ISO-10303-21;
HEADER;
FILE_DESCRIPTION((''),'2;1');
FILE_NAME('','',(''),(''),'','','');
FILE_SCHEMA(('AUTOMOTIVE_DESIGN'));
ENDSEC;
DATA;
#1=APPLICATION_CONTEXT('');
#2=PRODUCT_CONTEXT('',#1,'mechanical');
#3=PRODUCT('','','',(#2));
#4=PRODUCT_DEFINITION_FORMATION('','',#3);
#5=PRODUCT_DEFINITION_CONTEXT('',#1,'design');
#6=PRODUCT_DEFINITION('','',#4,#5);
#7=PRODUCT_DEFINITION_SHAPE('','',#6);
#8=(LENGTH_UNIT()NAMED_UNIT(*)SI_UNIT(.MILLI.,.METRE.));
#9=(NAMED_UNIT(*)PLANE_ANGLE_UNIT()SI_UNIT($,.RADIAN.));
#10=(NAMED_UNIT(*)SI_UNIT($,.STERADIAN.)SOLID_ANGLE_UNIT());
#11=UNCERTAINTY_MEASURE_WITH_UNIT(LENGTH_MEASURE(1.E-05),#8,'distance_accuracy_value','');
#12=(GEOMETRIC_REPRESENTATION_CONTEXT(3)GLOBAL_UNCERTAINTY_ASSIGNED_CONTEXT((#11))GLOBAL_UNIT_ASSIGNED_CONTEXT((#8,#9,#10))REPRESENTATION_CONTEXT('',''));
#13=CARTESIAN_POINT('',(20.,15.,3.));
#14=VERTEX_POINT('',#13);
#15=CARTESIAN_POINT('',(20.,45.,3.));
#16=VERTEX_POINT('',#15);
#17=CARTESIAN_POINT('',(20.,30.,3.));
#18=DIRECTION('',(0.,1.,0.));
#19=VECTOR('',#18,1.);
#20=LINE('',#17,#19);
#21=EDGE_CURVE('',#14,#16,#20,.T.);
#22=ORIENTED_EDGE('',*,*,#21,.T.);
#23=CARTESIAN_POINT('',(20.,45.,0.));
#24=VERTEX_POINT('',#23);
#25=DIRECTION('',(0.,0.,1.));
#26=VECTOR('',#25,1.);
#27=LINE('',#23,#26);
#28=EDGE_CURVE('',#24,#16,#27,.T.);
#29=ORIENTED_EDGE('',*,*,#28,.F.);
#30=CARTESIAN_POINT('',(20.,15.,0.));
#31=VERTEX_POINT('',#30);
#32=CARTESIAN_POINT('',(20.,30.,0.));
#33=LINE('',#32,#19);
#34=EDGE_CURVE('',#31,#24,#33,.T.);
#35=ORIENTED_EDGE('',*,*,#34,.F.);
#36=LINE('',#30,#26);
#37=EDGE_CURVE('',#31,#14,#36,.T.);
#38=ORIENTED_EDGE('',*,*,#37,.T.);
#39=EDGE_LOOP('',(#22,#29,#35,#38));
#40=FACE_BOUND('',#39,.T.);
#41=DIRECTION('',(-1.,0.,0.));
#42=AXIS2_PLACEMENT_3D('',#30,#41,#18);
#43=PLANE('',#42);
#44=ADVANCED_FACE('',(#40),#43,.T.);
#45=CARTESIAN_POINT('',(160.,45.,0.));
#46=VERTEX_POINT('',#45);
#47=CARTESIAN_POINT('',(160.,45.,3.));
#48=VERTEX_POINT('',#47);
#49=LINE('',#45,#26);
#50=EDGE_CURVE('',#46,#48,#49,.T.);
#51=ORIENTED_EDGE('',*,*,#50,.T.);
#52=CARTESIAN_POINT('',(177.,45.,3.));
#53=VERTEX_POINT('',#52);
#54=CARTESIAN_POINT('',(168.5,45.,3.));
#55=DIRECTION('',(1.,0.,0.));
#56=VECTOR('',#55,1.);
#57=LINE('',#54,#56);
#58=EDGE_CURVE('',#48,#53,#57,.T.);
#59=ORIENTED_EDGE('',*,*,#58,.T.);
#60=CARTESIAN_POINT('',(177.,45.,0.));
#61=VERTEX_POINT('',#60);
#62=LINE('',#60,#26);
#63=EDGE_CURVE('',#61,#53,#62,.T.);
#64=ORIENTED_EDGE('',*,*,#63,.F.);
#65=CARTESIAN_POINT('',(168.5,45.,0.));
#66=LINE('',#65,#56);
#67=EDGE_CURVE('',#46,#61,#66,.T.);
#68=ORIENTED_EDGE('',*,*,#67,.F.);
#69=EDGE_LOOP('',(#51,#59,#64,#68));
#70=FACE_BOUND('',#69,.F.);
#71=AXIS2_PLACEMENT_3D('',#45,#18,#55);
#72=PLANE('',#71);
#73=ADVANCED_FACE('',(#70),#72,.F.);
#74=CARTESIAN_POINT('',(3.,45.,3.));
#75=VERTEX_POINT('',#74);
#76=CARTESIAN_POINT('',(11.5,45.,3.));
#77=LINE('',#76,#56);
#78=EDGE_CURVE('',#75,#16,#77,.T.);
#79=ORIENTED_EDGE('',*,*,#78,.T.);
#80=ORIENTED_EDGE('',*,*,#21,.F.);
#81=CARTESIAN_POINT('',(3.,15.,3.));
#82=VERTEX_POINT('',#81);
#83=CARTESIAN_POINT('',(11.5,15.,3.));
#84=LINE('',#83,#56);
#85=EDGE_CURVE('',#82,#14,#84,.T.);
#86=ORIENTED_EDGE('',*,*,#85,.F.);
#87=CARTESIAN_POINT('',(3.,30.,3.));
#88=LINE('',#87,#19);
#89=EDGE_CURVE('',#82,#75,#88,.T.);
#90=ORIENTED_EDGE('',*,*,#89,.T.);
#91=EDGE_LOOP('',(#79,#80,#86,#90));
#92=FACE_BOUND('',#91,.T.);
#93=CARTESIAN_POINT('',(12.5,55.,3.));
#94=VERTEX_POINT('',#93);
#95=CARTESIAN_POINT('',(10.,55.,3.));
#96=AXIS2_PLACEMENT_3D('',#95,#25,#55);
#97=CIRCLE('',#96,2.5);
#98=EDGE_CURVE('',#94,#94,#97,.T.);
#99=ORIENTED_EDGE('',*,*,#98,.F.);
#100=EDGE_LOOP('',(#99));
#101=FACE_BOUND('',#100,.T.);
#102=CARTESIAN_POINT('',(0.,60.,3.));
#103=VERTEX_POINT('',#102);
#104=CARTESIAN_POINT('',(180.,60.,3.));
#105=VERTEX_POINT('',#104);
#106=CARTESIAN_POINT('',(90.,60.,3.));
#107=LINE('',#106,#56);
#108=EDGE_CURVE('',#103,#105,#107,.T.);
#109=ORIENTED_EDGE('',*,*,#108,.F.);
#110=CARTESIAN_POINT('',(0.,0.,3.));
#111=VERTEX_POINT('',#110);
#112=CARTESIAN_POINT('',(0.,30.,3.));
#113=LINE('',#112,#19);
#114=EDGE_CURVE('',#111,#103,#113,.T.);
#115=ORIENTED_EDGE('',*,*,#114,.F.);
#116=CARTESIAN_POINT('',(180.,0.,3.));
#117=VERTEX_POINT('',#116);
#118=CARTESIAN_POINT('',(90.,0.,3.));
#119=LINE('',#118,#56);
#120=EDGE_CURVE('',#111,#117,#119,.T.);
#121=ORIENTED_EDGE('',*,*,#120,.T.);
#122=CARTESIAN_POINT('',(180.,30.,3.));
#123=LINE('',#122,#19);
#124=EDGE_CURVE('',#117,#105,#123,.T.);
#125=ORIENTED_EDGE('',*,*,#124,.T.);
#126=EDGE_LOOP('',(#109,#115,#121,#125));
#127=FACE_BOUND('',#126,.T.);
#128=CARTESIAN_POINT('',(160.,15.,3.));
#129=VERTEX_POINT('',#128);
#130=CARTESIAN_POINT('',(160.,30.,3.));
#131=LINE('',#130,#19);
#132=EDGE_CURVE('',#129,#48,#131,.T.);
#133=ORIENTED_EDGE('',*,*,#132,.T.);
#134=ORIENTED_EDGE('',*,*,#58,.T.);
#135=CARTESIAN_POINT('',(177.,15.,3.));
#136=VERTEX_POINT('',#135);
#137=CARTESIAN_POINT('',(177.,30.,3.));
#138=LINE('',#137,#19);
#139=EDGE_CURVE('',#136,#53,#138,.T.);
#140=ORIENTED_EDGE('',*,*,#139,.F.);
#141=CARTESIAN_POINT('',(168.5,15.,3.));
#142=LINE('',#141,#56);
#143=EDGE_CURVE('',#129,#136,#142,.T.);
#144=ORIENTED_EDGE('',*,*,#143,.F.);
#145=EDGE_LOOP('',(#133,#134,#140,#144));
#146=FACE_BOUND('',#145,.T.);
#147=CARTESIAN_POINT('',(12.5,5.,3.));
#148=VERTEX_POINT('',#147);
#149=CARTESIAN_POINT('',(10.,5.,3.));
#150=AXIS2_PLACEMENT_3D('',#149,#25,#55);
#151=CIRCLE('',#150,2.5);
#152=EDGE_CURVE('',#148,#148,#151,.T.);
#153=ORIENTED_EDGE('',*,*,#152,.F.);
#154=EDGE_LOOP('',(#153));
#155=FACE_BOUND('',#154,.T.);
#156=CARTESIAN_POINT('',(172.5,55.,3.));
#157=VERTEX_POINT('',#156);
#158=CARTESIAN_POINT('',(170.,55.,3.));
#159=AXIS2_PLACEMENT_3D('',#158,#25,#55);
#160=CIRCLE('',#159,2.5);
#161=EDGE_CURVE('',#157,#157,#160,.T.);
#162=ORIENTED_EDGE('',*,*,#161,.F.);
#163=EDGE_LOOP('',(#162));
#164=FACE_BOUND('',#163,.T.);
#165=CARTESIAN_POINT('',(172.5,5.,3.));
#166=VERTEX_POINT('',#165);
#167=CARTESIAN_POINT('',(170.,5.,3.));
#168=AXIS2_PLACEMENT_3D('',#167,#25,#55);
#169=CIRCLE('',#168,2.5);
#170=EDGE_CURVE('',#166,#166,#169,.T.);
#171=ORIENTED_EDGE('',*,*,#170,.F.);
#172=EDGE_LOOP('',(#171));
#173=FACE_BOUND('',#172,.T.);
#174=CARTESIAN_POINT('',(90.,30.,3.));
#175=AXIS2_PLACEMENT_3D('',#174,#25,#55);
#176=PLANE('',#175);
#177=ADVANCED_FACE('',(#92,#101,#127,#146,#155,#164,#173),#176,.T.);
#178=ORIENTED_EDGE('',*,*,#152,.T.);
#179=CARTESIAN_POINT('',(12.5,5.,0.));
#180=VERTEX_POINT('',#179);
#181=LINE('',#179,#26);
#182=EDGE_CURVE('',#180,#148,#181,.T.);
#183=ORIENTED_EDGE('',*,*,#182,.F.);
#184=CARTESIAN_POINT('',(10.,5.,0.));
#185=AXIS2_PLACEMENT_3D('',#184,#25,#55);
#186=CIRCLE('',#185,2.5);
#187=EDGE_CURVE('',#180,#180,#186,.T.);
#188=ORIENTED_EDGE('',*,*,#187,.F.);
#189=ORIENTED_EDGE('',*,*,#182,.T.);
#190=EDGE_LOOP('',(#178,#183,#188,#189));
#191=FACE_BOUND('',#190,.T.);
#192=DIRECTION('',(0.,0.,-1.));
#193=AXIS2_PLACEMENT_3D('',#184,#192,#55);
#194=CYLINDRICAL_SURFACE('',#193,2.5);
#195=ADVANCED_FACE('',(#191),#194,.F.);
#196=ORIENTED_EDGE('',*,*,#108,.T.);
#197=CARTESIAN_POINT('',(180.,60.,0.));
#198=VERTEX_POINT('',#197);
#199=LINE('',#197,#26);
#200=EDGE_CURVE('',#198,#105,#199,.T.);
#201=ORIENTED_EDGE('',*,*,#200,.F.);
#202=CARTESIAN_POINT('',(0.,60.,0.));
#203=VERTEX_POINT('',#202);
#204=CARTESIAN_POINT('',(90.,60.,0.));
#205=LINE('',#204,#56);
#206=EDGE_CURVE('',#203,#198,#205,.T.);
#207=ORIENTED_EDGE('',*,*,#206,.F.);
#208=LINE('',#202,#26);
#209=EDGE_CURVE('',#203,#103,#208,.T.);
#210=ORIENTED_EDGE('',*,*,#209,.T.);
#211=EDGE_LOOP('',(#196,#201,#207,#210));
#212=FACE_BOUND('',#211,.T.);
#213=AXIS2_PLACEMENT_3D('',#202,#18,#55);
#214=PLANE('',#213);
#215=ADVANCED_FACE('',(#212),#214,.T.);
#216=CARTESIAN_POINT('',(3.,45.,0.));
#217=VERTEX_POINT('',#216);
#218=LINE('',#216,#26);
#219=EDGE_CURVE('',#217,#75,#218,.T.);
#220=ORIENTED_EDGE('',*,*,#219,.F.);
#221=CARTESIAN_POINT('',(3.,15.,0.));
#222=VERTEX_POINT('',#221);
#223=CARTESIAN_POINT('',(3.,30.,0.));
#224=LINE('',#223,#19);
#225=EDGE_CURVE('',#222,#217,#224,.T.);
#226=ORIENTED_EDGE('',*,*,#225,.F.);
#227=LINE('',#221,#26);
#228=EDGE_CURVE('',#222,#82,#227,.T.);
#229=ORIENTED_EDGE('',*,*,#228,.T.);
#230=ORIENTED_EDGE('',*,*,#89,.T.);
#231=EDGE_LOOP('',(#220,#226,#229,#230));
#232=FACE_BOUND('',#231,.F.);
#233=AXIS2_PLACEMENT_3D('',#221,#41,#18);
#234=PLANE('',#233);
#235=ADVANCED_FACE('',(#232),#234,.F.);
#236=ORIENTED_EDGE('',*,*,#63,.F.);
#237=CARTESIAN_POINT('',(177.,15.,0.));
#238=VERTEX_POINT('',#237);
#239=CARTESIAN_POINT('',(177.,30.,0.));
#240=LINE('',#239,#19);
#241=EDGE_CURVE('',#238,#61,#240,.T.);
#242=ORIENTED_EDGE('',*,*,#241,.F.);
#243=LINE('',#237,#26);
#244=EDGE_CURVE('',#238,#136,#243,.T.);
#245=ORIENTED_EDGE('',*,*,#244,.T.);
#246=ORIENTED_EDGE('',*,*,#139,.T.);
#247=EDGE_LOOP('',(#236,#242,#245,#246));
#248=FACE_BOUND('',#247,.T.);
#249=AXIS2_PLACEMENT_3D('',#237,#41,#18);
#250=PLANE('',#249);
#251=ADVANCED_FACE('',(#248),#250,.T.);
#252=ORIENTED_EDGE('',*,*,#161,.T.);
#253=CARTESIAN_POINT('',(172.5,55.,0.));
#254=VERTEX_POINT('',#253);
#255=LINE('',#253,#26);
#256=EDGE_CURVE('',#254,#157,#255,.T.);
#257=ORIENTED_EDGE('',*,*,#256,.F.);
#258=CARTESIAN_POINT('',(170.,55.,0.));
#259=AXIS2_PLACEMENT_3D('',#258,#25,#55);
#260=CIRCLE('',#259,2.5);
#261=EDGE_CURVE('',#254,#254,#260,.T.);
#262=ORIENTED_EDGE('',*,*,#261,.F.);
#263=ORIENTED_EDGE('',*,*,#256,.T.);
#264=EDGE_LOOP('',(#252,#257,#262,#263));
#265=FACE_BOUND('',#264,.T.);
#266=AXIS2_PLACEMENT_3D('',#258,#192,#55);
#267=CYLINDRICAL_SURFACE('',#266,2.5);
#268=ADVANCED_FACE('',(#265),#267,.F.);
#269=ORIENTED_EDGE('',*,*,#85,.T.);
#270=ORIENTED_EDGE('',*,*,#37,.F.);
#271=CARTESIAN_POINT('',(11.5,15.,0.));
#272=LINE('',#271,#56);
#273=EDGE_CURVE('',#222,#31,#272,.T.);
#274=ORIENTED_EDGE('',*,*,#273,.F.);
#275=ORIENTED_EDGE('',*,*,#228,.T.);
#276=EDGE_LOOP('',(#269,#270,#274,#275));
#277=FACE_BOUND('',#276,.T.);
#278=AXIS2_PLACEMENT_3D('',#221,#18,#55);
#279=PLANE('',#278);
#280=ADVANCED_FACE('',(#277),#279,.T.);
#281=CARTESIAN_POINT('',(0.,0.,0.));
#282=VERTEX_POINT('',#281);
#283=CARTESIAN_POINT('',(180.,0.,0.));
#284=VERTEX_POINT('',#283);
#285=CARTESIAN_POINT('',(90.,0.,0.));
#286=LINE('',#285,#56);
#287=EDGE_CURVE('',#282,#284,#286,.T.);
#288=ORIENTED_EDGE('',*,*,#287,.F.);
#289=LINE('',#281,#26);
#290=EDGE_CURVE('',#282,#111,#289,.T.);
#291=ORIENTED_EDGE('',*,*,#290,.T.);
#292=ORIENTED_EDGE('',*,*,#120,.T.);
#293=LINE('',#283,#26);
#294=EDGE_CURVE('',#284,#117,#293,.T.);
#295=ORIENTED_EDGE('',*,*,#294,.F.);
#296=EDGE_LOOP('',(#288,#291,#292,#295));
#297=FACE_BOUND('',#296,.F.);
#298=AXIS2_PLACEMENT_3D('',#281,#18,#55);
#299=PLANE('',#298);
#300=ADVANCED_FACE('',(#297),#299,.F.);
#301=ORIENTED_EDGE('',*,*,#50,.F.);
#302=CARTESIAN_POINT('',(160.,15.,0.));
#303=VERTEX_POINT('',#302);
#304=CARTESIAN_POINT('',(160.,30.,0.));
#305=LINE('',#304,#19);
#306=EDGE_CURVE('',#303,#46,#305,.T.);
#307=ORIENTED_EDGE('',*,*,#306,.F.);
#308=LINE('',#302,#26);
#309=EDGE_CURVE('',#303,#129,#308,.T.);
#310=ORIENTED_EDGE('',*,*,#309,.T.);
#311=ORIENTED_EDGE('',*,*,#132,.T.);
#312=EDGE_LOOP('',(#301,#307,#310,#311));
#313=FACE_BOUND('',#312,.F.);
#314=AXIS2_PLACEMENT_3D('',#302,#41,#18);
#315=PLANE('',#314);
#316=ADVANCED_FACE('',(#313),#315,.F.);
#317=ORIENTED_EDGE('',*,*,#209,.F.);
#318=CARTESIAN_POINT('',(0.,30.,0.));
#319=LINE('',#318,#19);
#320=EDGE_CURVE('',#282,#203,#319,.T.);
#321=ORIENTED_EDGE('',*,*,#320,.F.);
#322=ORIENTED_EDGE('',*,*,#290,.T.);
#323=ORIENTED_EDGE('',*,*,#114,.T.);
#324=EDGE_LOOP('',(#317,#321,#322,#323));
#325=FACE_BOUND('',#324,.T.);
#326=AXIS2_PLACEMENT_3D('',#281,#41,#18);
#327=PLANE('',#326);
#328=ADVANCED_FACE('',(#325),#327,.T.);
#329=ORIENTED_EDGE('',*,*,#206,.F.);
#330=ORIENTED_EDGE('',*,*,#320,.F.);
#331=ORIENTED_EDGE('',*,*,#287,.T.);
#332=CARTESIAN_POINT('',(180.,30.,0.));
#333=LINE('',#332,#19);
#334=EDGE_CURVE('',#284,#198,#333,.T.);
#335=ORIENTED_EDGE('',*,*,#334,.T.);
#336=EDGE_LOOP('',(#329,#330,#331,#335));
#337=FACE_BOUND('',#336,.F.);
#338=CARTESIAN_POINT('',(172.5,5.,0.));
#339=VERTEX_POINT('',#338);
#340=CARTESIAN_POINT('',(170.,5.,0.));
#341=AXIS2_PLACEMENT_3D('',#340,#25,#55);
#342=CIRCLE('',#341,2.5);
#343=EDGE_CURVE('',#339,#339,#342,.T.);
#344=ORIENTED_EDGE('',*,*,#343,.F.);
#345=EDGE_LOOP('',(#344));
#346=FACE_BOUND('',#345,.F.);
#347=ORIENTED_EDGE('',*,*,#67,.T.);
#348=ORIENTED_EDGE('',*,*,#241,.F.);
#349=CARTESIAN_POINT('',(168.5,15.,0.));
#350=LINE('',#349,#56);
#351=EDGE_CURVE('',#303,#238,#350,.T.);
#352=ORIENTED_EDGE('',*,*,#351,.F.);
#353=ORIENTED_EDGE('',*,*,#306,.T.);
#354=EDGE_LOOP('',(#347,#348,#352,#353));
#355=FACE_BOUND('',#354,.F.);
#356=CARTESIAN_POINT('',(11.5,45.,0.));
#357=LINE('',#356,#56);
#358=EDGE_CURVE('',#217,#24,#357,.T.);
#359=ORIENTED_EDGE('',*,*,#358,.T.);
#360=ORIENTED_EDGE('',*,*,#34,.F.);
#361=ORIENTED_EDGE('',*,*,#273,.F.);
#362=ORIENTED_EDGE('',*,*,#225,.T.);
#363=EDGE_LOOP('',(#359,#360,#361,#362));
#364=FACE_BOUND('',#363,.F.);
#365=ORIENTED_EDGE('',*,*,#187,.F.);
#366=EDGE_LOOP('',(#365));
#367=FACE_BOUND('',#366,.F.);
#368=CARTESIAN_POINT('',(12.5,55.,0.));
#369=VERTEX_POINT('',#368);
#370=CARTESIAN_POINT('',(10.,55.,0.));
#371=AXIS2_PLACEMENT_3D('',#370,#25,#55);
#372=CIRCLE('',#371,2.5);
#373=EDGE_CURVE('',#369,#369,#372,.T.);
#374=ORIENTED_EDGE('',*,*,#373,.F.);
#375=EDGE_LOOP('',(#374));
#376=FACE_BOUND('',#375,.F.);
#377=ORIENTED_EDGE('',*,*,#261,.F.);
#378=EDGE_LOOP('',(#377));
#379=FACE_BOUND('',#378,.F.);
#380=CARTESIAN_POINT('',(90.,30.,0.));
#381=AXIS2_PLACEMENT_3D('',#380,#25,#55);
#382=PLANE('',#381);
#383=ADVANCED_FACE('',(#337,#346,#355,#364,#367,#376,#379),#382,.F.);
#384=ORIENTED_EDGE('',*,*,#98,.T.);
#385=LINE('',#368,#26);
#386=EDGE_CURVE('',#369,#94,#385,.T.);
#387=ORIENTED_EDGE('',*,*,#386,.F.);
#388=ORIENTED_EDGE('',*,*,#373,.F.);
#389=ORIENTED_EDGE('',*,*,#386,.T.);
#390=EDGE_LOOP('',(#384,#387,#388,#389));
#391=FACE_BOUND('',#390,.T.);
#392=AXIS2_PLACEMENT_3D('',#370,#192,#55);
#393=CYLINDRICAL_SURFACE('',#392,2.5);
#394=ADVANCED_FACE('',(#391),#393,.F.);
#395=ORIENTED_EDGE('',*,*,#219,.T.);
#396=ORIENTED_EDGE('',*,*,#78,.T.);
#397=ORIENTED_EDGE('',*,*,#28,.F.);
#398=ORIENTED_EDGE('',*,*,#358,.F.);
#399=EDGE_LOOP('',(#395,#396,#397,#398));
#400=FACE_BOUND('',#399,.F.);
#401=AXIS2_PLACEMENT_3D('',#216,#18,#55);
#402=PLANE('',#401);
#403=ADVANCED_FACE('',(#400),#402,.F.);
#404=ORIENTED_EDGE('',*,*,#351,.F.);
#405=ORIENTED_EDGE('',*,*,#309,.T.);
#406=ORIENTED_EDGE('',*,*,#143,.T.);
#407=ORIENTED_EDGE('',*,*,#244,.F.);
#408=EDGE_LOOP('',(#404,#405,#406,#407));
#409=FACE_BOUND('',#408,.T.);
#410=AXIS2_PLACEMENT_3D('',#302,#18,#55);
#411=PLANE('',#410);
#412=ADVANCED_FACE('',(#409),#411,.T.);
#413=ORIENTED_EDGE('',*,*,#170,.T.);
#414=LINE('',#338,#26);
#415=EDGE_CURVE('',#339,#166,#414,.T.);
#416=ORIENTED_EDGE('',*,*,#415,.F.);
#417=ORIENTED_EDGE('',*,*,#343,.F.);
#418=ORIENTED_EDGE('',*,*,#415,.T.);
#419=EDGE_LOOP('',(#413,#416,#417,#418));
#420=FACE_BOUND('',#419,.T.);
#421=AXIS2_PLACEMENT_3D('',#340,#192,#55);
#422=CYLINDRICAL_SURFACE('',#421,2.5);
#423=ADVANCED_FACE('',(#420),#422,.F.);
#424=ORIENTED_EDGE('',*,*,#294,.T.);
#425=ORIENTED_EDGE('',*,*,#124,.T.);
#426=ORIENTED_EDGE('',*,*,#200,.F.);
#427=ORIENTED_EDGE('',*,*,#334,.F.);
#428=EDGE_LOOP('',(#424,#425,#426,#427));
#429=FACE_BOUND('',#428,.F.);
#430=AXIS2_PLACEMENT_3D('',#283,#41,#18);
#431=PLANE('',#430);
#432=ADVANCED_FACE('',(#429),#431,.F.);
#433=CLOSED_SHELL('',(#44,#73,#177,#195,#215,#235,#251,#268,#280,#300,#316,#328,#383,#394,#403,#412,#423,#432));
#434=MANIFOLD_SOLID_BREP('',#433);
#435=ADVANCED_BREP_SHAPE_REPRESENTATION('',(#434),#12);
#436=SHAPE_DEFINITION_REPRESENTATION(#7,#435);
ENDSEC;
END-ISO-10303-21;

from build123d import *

# Parameters (mm, degrees)
SKETCH_W   = 180
SKETCH_H   = 60
SKETCH_R   = 2.5
SKETCH_W_2 = 17
SKETCH_H_2 = 30
PAD_DEPTH  = 3


with BuildPart() as part:
    # Sketch → Pad (new body)
    with BuildSketch(Plane.XY):
        with Locations((90, 30)):
            Rectangle(SKETCH_W, SKETCH_H)
        with Locations((10, 55)):
            Circle(SKETCH_R, mode=Mode.SUBTRACT)
        with Locations((170, 55)):
            Circle(SKETCH_R, mode=Mode.SUBTRACT)
        with Locations((170, 5)):
            Circle(SKETCH_R, mode=Mode.SUBTRACT)
        with Locations((10, 5)):
            Circle(SKETCH_R, mode=Mode.SUBTRACT)
        with Locations((11.5, 30)):
            Rectangle(SKETCH_W_2, SKETCH_H_2, mode=Mode.SUBTRACT)
        with Locations((168.5, 30)):
            Rectangle(SKETCH_W_2, SKETCH_H_2, mode=Mode.SUBTRACT)
    extrude(amount=PAD_DEPTH)


solid = part.part
